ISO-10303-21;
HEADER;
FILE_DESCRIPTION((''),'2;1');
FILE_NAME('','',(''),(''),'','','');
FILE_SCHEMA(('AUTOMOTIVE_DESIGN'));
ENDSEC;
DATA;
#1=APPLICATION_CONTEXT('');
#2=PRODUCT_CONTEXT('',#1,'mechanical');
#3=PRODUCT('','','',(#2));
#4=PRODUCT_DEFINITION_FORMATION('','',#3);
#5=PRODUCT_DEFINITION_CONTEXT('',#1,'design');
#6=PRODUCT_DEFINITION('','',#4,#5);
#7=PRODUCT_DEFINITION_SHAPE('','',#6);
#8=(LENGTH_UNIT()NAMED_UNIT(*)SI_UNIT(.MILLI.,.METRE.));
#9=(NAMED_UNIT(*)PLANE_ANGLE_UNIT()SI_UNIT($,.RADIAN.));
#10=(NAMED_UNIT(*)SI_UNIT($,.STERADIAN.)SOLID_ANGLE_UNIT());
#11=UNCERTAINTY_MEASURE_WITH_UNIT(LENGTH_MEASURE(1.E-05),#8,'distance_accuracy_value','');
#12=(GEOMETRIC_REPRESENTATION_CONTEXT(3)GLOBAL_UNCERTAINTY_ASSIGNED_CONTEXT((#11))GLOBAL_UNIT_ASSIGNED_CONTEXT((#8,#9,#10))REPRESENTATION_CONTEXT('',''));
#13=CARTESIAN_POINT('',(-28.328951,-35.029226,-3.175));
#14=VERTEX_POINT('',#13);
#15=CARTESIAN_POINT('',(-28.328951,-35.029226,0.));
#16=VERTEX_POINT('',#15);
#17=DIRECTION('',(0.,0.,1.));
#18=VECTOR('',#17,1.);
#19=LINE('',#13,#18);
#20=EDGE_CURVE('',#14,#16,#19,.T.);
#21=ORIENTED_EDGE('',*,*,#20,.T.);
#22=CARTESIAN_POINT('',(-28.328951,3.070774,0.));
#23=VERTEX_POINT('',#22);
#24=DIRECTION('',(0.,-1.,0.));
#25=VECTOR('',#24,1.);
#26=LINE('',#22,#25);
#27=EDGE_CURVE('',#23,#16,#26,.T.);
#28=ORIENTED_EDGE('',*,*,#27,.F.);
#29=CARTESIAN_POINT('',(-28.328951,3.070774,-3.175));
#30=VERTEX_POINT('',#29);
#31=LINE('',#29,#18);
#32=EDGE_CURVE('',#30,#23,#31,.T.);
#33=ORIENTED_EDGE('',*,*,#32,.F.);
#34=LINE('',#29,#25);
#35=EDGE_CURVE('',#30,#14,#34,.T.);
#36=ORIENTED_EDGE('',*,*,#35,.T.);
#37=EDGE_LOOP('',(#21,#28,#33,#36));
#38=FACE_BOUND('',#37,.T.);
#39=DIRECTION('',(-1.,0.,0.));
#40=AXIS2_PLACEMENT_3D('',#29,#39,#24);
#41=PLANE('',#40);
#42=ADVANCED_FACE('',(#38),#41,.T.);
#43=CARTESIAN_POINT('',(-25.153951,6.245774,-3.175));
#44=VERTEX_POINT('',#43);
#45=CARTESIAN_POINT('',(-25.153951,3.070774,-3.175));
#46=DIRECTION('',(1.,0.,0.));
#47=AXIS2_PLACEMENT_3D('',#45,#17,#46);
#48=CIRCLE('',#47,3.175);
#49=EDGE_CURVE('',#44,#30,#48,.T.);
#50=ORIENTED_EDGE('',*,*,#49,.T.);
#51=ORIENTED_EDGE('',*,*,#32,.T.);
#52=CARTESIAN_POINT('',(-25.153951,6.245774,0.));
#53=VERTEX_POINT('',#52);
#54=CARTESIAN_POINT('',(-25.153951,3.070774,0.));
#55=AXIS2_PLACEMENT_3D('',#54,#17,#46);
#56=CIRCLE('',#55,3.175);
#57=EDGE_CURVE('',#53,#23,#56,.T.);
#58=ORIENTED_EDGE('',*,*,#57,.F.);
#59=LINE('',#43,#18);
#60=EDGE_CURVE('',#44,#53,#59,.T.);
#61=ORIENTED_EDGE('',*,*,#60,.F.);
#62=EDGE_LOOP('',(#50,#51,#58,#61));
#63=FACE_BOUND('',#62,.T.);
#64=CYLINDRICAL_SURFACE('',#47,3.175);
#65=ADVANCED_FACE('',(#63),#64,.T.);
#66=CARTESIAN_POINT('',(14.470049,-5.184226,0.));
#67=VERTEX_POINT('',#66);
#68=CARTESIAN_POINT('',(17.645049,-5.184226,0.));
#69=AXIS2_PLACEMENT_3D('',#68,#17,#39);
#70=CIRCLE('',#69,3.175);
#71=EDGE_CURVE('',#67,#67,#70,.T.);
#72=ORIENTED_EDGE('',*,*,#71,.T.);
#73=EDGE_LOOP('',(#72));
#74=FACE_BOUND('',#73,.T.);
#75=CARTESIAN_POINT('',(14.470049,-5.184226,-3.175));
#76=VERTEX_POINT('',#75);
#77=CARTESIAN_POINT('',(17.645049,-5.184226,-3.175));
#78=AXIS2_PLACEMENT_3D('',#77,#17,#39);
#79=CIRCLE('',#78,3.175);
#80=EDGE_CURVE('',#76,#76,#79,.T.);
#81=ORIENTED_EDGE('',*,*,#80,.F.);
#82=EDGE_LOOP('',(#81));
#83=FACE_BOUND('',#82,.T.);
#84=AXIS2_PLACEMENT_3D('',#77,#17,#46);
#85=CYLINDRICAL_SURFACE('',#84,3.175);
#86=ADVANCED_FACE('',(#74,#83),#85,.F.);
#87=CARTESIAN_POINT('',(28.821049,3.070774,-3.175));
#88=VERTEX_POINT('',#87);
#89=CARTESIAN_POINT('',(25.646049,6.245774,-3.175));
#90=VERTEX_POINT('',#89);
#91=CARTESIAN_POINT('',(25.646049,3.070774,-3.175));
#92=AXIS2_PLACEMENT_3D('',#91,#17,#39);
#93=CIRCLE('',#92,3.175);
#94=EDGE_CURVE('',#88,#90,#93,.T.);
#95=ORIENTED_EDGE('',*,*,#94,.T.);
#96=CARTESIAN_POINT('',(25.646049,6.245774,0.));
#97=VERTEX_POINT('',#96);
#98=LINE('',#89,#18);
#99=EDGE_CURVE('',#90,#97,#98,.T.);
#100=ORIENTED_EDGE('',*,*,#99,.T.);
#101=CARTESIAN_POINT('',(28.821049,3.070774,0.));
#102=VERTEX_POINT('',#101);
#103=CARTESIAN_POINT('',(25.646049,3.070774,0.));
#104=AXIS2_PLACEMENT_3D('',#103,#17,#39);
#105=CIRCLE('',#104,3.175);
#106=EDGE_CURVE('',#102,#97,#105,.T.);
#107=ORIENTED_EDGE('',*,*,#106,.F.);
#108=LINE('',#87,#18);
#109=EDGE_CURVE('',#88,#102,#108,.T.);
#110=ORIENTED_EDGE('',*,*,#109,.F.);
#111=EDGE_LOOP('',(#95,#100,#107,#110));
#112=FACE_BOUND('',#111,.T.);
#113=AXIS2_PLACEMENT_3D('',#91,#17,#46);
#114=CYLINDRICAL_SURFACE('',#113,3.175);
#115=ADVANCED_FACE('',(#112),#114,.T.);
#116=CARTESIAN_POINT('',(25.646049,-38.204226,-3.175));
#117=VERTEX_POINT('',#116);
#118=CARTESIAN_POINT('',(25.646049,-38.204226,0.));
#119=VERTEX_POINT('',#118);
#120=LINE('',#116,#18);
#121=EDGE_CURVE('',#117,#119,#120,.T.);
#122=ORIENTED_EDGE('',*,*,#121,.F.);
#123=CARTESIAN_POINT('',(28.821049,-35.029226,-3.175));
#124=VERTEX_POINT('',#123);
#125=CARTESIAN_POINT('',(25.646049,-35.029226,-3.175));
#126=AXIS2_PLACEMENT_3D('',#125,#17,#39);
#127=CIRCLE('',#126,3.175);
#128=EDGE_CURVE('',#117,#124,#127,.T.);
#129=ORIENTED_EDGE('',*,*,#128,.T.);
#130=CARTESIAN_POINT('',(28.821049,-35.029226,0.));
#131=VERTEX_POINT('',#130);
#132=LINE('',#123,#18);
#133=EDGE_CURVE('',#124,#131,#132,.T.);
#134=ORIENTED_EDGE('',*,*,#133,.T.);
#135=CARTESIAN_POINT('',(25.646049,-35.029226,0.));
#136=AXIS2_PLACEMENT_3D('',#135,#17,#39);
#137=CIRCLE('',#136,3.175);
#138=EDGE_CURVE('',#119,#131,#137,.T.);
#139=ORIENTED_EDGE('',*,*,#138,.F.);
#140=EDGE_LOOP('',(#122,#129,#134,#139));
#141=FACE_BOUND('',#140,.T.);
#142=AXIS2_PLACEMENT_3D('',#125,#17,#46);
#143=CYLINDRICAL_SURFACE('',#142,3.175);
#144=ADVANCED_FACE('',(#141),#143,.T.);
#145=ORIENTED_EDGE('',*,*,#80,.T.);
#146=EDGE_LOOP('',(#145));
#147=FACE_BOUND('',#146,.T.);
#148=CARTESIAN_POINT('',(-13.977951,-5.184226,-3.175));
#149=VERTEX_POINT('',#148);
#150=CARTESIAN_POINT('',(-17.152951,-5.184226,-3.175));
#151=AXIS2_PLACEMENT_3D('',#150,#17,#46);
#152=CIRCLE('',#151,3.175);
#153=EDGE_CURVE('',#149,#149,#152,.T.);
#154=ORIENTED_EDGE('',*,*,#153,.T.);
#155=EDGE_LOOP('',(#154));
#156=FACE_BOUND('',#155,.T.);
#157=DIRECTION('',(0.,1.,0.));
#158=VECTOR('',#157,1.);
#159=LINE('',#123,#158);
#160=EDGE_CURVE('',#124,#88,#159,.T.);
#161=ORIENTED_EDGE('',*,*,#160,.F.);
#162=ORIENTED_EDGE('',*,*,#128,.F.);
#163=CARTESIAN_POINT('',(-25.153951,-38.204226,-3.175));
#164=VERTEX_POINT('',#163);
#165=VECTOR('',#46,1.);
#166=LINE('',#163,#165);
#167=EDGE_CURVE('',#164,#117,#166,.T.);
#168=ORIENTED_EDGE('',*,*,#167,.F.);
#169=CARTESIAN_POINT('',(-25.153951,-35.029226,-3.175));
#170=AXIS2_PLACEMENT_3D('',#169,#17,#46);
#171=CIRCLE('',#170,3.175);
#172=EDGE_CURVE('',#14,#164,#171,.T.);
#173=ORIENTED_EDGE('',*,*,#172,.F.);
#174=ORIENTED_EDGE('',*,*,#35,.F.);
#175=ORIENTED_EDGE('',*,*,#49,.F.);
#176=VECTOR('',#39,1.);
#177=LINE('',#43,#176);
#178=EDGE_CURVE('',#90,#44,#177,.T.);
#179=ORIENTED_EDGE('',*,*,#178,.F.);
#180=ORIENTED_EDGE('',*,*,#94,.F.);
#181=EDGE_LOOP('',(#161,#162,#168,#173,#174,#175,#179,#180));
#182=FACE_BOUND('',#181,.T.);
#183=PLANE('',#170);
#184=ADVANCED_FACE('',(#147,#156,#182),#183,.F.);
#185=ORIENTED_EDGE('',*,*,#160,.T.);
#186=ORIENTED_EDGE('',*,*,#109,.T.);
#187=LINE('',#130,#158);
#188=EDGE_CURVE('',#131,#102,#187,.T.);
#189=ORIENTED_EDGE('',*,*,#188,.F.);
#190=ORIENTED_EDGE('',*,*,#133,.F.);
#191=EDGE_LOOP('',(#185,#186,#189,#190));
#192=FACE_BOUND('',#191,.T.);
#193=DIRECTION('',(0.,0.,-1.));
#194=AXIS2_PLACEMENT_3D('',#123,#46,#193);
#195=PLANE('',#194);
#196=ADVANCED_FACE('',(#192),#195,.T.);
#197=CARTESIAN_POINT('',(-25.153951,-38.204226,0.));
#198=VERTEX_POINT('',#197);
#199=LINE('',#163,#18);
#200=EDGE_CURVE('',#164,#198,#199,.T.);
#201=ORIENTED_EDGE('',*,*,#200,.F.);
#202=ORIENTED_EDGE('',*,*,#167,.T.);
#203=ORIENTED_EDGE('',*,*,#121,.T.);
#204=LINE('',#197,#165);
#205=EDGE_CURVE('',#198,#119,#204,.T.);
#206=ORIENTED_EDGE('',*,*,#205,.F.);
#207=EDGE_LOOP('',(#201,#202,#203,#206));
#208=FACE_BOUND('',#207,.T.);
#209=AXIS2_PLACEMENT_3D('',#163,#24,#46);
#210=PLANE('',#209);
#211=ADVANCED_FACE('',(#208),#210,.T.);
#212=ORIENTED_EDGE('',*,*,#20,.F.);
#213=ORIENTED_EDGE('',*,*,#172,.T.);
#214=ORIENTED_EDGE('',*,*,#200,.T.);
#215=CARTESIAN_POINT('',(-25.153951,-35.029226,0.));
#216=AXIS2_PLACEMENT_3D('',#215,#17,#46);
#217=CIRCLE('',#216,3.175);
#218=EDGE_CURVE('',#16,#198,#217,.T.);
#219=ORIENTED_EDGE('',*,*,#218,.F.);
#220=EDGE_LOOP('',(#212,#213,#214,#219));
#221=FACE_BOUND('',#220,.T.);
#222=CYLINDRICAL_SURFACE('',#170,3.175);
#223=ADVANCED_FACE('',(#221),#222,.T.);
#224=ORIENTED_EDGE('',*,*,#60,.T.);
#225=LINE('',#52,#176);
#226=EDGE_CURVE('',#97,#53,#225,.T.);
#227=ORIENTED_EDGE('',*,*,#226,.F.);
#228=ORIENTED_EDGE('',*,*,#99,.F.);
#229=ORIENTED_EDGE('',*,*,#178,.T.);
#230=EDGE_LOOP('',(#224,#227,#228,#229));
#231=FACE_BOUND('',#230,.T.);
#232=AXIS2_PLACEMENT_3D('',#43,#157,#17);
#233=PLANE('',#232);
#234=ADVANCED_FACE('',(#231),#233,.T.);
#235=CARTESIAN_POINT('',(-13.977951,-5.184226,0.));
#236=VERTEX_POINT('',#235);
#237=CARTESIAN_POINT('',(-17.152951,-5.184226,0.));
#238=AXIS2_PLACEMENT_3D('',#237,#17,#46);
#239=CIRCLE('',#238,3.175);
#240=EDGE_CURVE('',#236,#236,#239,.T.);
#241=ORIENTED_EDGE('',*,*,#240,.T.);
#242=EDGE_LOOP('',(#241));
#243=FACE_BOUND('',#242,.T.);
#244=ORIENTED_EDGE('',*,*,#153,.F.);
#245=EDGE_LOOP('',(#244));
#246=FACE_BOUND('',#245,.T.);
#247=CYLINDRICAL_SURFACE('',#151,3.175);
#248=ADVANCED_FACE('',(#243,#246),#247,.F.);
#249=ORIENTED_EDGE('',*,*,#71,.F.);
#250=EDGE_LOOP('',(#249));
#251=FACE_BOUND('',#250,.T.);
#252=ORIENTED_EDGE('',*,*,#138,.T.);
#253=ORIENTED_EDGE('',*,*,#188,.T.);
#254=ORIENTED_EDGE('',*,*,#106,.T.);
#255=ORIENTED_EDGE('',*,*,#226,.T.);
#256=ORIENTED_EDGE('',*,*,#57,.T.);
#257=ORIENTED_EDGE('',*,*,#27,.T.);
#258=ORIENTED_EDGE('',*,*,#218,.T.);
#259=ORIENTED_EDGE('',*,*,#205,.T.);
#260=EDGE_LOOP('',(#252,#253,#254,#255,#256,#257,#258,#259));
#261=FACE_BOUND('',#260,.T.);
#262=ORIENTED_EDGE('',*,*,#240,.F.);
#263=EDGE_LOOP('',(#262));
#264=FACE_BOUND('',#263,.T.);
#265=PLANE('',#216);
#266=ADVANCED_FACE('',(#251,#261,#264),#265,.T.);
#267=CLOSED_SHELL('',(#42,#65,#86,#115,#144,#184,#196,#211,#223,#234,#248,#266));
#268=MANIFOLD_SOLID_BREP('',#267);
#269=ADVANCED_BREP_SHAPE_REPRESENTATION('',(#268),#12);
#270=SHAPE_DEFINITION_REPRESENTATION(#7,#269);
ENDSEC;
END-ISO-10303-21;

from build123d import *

# Parameters (mm, degrees)
BOSS_EXTRUDE1_DEPTH = 3.175
SKETCH2_R           = 3.175
CUT_EXTRUDE1_DEPTH  = 48.961405128


with BuildPart() as part:
    # Sketch1 → Boss-Extrude1 (new body)
    with BuildSketch(Plane.XY):
        with BuildLine():
            Line((-28.328951223, 3.070773738), (-28.328951223, -35.029226262))
            ThreePointArc((-28.328951223, -35.029226262), (-27.399015253, -37.274290292), (-25.153951223, -38.204226262))
            Line((-25.153951223, -38.204226262), (25.646048777, -38.204226262))
            ThreePointArc((25.646048777, -38.204226262), (27.891112807, -37.274290292), (28.821048777, -35.029226262))
            Line((28.821048777, -35.029226262), (28.821048777, 3.070773738))
            ThreePointArc((28.821048777, 3.070773738), (27.891112807, 5.315837768), (25.646048777, 6.245773738))
            Line((25.646048777, 6.245773738), (-25.153951223, 6.245773738))
            ThreePointArc((-25.153951223, 6.245773738), (-27.399015253, 5.315837768), (-28.328951223, 3.070773738))
        make_face()
    extrude(amount=-BOSS_EXTRUDE1_DEPTH)

    # Sketch2 → Cut-Extrude1 (cut, through all)
    with BuildSketch(Plane.XY):
        with Locations((-17.152951223, -5.184226262)):
            Circle(SKETCH2_R)
        with Locations(Location((17.645048777, -5.184226262, 0), (0, 0, 180))):
            Circle(SKETCH2_R)
    extrude(amount=-CUT_EXTRUDE1_DEPTH, mode=Mode.SUBTRACT)


solid = part.part
